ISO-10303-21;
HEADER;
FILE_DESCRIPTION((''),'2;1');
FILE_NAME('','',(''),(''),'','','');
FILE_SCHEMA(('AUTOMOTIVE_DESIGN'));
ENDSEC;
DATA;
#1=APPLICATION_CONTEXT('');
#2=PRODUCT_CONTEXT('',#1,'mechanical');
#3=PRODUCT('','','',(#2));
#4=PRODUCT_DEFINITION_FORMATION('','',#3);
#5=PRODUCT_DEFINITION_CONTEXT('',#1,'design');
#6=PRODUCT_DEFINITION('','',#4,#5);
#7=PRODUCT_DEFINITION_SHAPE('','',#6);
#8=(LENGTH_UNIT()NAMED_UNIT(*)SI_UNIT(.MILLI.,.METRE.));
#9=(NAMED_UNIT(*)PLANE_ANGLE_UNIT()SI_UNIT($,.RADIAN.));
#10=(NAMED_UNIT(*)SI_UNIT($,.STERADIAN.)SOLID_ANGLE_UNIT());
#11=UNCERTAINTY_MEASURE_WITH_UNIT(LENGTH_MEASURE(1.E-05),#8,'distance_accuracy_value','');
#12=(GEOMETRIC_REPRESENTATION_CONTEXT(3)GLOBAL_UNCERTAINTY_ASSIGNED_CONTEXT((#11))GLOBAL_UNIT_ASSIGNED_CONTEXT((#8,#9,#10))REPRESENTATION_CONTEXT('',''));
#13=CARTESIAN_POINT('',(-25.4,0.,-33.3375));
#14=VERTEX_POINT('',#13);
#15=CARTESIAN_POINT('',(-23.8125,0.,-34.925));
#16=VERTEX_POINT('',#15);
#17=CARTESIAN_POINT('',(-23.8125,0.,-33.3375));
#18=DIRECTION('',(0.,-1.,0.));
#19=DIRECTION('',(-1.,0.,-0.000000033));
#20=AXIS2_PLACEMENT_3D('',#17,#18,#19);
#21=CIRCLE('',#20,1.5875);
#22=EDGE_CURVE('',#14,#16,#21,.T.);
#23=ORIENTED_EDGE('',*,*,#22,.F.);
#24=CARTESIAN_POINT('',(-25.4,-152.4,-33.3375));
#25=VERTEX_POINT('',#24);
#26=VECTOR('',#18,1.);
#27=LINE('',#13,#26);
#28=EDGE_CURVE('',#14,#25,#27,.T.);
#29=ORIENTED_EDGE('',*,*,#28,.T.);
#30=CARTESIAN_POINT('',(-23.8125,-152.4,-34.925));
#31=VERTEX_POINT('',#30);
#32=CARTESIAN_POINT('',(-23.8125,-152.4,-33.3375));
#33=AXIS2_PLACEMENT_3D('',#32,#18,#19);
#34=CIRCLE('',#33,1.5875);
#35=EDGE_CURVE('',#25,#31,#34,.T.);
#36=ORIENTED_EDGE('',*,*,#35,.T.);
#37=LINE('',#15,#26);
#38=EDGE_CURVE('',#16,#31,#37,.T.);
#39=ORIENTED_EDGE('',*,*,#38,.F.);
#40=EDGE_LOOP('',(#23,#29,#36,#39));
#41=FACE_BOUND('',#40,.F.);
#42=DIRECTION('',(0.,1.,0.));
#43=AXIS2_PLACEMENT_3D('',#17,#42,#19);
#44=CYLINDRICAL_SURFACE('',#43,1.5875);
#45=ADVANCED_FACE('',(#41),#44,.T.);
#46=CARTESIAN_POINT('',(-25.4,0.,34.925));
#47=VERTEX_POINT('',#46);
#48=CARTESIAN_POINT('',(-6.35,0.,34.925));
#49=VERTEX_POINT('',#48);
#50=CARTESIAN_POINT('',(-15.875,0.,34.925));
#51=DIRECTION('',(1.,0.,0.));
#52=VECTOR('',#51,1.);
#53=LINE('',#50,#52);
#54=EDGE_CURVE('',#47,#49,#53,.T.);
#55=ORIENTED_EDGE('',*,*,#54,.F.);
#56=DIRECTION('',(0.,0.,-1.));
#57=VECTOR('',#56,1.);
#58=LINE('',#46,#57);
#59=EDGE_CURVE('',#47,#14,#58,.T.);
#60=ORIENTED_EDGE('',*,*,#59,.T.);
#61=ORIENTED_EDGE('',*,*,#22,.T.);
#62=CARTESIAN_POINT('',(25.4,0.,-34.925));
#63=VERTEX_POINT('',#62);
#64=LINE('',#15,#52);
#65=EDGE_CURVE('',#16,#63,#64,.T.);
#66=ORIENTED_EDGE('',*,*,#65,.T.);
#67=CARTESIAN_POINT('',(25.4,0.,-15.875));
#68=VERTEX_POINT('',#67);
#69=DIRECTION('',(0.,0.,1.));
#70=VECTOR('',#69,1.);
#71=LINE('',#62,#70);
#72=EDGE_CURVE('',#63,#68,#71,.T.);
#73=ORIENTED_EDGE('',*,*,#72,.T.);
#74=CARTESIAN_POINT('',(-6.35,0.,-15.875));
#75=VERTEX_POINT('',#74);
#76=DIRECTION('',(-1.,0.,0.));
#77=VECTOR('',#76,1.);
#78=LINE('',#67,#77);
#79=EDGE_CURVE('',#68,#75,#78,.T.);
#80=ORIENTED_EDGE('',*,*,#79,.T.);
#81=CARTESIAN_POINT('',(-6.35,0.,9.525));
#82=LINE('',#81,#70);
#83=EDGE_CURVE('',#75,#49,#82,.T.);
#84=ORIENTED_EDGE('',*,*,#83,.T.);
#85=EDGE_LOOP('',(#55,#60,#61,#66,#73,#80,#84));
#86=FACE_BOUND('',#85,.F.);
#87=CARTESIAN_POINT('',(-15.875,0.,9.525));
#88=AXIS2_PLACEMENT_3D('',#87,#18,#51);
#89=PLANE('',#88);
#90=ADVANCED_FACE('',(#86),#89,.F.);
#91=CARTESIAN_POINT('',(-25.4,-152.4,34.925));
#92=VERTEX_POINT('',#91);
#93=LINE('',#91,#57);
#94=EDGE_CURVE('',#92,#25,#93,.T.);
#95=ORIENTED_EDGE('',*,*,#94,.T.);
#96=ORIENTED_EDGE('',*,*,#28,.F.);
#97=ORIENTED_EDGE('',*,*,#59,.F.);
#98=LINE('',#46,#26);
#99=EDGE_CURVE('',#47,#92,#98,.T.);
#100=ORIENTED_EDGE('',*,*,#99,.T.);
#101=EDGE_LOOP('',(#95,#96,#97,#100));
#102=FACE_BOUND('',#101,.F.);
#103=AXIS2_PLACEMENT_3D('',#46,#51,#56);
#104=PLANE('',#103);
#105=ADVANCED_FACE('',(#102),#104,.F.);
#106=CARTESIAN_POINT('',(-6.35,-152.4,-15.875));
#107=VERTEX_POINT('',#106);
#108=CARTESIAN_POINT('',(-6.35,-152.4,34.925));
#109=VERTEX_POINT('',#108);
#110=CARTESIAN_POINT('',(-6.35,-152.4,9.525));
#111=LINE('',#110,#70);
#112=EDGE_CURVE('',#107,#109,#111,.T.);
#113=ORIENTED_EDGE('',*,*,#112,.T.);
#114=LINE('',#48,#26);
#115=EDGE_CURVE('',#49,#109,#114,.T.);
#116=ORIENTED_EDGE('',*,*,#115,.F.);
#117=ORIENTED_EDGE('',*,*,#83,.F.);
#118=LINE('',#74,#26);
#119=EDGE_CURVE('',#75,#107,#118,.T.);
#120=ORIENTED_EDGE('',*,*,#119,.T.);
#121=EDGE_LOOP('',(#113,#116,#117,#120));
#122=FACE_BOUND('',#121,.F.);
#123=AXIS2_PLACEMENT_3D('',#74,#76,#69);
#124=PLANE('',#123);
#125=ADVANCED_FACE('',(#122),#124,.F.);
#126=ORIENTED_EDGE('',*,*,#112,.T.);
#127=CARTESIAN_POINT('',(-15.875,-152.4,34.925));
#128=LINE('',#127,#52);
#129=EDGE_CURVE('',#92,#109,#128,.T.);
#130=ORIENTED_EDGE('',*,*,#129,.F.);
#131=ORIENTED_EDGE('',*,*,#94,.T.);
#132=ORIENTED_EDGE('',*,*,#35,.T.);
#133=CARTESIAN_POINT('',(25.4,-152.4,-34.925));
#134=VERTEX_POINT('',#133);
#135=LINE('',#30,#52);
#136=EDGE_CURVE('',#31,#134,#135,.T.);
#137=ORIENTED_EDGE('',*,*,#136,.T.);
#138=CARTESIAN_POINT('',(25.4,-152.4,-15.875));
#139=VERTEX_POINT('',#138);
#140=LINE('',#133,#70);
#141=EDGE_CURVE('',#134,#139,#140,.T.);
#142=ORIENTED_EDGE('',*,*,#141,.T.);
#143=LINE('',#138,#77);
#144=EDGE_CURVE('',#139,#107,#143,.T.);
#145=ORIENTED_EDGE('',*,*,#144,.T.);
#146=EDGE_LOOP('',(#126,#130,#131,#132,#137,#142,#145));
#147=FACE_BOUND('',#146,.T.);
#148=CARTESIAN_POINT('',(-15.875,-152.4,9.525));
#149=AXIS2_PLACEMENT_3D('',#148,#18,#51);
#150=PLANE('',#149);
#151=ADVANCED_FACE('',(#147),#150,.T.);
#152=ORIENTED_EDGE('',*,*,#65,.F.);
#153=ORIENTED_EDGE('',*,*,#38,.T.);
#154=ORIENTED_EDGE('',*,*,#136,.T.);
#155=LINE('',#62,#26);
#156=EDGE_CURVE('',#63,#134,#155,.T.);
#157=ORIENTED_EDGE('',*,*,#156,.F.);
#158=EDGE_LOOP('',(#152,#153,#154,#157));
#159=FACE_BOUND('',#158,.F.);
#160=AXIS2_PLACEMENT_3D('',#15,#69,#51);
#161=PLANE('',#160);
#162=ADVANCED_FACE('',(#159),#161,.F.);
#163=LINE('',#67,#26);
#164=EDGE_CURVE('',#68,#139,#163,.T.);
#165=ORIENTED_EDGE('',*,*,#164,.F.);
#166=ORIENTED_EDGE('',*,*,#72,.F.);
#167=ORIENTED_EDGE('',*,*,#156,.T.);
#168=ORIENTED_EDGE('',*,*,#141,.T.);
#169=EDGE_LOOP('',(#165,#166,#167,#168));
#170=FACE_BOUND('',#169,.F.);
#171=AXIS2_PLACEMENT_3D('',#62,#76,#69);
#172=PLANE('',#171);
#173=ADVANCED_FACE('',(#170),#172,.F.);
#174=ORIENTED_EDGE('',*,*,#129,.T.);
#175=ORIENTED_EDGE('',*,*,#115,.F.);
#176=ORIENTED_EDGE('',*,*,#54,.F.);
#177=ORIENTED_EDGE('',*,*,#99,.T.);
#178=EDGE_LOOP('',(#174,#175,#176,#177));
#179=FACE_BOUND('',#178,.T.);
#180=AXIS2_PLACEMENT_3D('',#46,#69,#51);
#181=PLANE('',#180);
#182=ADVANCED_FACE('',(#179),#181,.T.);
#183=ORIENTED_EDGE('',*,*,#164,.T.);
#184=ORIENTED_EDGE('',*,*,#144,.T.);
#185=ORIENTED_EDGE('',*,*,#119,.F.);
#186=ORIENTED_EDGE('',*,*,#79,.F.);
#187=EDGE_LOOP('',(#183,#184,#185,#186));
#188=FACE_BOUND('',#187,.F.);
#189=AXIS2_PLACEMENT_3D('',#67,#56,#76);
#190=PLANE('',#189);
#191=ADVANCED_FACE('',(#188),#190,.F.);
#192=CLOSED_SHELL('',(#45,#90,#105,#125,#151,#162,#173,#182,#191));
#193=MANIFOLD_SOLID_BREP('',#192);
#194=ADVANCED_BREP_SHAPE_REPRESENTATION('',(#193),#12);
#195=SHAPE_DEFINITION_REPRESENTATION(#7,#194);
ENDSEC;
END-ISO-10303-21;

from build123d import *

# Parameters (mm, degrees)
F0_W     = 19.05
F0_H     = 50.8
F1_DEPTH = 152.4


with BuildPart() as f1:
    # F0 (on Front) → F1 (new body)
    with BuildSketch(Plane.XZ):
        with Locations((-15.875, 9.525)):
            Rectangle(F0_W, F0_H)
        with BuildLine():
            ThreePointArc((-25.4, -33.3375), (-24.935032, -34.460032), (-23.8125, -34.925))
            Line((-23.8125, -34.925), (25.4, -34.925))
            Line((25.4, -34.925), (25.4, -15.875))
            Line((25.4, -15.875), (-6.35, -15.875))
            Line((-6.35, -15.875), (-25.4, -15.875))
            Line((-25.4, -15.875), (-25.4, -33.3375))
        make_face()
    extrude(amount=F1_DEPTH)


solid = f1.part
